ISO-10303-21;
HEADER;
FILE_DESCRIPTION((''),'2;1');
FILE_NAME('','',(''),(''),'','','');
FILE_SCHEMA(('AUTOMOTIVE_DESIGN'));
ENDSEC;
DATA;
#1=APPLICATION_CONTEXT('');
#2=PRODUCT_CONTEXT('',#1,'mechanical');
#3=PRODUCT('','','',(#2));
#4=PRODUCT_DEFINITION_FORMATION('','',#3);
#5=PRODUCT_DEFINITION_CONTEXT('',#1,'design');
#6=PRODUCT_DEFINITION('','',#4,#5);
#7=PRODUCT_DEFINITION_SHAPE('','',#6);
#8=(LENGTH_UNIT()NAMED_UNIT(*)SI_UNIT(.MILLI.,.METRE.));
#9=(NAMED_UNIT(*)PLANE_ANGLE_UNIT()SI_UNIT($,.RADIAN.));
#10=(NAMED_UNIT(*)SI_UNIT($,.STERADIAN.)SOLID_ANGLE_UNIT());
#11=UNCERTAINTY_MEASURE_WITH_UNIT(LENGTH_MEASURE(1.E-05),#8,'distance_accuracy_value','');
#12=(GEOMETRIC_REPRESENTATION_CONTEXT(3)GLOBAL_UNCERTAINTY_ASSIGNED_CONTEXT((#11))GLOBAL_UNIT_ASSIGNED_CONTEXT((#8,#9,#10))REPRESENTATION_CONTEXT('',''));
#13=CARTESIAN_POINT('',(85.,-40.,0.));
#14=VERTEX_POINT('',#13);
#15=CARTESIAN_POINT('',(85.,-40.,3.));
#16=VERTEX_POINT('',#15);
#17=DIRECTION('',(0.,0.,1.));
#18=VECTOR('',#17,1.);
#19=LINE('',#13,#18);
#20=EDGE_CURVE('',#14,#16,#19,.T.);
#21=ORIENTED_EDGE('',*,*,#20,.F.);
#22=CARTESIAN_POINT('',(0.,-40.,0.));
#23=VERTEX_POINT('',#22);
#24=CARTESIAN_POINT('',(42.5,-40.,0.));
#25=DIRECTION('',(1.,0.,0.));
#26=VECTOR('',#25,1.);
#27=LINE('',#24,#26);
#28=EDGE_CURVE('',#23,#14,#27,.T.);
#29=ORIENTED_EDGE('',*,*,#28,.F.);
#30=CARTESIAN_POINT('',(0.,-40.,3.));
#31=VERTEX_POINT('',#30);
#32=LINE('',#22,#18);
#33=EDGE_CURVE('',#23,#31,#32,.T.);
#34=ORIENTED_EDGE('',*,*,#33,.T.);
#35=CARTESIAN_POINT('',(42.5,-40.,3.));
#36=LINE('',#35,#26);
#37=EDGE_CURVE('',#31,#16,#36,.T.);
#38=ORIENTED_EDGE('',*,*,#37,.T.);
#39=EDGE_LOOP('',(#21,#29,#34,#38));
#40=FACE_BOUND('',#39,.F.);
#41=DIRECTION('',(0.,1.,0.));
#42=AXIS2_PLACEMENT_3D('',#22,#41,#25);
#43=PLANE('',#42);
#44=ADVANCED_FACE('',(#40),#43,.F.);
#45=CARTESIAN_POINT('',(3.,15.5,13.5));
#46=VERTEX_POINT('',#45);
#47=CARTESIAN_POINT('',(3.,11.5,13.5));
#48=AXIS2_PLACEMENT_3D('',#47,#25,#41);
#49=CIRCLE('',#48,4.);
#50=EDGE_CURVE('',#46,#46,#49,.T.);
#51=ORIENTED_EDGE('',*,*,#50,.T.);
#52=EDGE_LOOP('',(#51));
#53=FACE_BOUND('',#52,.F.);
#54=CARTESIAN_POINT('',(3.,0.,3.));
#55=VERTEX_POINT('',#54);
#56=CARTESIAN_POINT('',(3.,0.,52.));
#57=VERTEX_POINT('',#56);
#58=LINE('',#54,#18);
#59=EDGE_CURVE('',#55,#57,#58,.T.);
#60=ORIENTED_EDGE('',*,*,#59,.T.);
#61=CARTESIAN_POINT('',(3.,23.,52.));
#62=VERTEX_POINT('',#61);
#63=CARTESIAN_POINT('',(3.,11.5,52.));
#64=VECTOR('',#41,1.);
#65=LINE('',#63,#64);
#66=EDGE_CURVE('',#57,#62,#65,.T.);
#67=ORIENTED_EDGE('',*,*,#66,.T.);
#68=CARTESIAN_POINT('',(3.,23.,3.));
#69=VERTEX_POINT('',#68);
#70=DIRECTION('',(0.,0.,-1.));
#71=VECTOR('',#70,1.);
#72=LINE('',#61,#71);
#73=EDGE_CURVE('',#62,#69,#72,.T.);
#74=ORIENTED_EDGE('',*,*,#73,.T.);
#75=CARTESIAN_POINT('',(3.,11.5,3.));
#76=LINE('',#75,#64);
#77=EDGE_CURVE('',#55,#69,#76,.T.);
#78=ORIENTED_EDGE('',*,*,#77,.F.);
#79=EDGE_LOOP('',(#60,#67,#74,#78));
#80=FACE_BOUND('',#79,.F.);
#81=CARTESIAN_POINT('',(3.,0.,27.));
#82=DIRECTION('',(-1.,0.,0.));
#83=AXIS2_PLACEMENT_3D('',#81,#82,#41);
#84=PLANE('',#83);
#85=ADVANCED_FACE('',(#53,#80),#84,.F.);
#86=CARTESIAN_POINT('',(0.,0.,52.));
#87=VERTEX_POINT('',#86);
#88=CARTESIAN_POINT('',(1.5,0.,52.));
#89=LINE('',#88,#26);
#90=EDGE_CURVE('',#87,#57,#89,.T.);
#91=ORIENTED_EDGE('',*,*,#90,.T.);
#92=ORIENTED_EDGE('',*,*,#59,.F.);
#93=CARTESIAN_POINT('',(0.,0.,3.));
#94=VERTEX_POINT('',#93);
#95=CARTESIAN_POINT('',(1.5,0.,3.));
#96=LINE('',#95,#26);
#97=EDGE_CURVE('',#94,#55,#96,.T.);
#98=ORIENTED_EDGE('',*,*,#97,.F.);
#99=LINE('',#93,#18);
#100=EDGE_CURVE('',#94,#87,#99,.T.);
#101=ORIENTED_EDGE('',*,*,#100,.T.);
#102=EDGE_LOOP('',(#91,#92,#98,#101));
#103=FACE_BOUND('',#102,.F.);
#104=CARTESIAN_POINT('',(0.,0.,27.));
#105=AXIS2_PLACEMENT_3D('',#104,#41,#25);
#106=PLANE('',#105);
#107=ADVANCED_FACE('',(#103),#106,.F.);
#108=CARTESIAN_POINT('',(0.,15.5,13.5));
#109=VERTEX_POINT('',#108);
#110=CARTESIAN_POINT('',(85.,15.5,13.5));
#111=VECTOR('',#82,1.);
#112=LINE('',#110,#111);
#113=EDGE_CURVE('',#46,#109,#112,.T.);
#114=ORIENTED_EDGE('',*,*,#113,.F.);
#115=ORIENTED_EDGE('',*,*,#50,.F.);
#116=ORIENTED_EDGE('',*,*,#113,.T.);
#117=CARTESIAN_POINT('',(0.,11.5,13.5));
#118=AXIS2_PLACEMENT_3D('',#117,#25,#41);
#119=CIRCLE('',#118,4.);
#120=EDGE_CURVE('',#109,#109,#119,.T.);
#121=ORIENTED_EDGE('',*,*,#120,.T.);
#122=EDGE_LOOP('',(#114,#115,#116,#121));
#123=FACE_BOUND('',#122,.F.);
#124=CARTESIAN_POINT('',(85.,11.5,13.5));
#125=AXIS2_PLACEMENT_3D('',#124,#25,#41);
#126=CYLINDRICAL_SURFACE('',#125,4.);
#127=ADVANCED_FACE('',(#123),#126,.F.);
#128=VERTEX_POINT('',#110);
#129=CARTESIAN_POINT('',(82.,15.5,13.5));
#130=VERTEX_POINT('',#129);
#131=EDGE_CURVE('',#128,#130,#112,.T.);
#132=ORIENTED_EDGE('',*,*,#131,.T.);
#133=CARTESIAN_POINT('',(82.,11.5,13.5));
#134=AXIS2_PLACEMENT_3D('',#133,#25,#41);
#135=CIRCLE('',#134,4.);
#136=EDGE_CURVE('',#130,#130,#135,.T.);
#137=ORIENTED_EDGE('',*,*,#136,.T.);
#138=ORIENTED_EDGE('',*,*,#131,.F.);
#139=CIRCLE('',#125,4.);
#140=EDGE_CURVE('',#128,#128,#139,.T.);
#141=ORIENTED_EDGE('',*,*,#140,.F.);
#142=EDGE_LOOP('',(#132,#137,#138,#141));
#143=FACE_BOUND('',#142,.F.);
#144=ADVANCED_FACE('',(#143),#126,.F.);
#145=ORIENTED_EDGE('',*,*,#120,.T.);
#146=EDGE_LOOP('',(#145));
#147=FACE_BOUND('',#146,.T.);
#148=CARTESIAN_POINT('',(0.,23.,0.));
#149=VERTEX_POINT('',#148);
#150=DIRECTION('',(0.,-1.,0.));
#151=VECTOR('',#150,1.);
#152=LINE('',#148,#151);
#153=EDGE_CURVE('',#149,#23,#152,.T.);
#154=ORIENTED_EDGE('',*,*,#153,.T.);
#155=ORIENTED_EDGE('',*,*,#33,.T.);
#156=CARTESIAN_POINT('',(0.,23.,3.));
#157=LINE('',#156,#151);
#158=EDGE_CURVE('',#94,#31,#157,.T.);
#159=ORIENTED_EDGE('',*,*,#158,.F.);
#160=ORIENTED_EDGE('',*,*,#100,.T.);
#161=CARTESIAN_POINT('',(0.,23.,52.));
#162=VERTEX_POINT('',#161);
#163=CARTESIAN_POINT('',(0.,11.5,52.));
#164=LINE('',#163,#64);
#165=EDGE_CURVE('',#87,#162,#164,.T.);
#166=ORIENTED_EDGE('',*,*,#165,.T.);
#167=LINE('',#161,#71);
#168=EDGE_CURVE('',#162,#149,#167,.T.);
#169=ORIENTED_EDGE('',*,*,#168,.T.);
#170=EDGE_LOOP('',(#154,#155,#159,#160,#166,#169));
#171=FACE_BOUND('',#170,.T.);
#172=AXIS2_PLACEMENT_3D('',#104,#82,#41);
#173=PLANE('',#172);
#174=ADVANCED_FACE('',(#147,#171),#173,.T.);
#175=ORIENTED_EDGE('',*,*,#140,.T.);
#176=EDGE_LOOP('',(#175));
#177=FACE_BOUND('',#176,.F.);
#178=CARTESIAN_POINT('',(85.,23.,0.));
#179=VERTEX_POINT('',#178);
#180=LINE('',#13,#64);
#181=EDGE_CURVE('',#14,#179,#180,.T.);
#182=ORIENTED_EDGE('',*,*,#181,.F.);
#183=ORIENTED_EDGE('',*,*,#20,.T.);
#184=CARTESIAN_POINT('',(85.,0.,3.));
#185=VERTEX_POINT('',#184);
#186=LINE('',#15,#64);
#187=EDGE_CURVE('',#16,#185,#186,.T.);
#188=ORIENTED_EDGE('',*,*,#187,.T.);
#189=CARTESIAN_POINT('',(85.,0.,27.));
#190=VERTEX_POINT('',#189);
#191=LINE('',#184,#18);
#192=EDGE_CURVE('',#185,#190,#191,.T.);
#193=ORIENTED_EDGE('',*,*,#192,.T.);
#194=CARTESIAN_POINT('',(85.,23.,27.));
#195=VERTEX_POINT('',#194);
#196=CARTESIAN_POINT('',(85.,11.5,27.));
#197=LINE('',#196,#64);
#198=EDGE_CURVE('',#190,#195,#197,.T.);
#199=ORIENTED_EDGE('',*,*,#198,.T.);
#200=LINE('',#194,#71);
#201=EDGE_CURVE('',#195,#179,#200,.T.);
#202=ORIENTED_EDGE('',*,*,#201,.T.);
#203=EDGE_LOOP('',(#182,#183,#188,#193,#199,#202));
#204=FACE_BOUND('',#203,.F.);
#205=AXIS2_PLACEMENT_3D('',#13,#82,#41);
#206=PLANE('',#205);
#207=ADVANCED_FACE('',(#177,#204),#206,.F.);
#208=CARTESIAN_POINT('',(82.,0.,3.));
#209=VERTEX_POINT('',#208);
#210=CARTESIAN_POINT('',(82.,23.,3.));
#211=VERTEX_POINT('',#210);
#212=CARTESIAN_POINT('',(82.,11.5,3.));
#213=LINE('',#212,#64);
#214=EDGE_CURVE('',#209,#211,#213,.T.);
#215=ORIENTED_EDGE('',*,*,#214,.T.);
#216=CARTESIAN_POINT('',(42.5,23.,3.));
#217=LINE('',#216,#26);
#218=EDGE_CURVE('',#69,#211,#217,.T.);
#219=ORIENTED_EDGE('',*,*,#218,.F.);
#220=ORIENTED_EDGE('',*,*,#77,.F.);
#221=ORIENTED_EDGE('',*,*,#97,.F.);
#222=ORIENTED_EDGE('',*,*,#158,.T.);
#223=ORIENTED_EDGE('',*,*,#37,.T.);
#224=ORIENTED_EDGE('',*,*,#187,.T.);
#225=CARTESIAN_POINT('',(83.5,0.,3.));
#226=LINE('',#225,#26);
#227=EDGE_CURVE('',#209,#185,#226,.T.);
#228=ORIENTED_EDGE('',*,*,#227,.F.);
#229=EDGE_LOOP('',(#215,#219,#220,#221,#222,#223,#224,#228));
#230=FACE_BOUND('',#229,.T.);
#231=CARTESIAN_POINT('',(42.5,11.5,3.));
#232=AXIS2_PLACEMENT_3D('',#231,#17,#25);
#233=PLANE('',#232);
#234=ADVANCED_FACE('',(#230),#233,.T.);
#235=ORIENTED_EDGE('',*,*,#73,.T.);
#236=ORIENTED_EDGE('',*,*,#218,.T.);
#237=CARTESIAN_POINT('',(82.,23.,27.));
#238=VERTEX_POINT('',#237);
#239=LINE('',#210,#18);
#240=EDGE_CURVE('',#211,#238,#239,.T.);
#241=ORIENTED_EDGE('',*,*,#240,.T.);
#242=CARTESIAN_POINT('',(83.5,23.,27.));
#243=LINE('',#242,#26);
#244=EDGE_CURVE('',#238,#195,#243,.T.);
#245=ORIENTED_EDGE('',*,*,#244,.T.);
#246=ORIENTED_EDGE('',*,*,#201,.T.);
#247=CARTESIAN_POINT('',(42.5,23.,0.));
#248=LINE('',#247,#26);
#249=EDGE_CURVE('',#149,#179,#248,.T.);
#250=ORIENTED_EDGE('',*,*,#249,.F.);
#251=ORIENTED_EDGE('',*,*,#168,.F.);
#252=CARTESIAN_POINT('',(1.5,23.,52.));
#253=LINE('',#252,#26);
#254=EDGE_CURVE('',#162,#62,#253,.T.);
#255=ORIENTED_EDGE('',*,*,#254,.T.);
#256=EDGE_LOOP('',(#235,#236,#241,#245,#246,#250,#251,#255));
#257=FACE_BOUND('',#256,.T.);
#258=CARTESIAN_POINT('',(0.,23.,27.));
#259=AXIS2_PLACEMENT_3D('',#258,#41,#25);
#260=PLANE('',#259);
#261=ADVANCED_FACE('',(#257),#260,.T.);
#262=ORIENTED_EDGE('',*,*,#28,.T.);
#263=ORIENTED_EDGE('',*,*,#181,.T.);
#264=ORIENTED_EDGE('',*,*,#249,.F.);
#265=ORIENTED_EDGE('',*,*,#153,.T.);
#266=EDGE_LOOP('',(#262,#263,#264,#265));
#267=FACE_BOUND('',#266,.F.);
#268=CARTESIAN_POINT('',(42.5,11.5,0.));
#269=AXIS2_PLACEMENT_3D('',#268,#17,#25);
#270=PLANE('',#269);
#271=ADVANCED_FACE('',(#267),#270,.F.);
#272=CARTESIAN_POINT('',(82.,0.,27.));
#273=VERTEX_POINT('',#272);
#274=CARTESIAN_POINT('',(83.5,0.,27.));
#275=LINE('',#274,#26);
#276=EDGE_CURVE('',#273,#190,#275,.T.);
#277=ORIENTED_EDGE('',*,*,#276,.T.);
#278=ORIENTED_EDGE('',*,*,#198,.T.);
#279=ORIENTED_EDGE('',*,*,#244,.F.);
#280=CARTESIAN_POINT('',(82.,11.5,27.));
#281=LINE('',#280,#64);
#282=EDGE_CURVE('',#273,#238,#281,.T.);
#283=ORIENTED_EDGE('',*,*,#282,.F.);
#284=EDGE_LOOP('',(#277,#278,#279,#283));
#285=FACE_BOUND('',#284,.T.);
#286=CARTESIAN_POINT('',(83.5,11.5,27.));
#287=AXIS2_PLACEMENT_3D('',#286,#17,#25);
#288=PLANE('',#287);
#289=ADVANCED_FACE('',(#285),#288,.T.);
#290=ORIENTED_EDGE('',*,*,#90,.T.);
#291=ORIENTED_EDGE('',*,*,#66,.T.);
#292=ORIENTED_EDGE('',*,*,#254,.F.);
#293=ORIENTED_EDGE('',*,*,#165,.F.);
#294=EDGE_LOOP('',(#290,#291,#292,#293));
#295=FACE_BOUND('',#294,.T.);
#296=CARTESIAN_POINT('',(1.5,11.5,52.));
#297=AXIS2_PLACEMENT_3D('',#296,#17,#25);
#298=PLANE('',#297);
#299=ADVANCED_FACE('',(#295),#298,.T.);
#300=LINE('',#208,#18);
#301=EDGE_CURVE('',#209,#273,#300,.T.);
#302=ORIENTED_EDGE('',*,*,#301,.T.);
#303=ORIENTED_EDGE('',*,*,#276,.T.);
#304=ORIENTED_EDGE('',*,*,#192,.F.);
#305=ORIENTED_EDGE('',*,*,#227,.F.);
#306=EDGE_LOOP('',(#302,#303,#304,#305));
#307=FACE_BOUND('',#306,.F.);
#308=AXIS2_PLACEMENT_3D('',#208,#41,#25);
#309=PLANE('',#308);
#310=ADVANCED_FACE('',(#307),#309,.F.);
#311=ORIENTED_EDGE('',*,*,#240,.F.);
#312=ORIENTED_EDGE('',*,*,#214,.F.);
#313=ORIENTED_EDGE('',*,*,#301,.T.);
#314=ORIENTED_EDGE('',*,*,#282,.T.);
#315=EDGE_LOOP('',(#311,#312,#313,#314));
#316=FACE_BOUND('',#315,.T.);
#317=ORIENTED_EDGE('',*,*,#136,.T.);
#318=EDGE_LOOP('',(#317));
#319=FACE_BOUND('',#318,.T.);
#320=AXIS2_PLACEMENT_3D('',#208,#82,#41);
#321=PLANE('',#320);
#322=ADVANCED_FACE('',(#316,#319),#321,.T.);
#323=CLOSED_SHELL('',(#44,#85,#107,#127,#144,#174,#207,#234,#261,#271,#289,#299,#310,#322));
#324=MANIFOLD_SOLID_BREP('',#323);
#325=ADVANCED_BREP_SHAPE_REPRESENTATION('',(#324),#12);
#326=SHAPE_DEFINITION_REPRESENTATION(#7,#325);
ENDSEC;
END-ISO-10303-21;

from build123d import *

# Parameters (mm, degrees)
F0_W     = 85
F0_H     = 23
F0_H_2   = 40
F1_DEPTH = 3
F2_W     = 3
F2_H     = 23
F3_DEPTH = 24
F4_W     = 3
F4_H     = 23
F5_DEPTH = 25
F6_R     = 4
F7_DEPTH = 200


with BuildPart() as f1:
    # F0 (on Top) → F1 (new body)
    with BuildSketch(Plane.XY):
        with Locations((42.5, 11.5)):
            Rectangle(F0_W, F0_H)
        with Locations((42.5, -20)):
            Rectangle(F0_W, F0_H_2)
    extrude(amount=F1_DEPTH)

    # F2 (on face) → F3 (join)
    with BuildSketch(Plane.XY.offset(3)):
        with Locations((1.5, 11.5)):
            Rectangle(F2_W, F2_H)
        with Locations((83.5, 11.5)):
            Rectangle(F2_W, F2_H)
    extrude(amount=F3_DEPTH)

    # F4 (on face) → F5 (join)
    with BuildSketch(Plane.XY.offset(27)):
        with Locations((1.5, 11.5)):
            Rectangle(F4_W, F4_H)
    extrude(amount=F5_DEPTH)

    # F6 (on face) → F7 (cut)
    with BuildSketch(Plane.YZ.offset(85)):
        with Locations((11.5, 13.5)):
            Circle(F6_R)
    extrude(amount=-F7_DEPTH, mode=Mode.SUBTRACT)


solid = f1.part
